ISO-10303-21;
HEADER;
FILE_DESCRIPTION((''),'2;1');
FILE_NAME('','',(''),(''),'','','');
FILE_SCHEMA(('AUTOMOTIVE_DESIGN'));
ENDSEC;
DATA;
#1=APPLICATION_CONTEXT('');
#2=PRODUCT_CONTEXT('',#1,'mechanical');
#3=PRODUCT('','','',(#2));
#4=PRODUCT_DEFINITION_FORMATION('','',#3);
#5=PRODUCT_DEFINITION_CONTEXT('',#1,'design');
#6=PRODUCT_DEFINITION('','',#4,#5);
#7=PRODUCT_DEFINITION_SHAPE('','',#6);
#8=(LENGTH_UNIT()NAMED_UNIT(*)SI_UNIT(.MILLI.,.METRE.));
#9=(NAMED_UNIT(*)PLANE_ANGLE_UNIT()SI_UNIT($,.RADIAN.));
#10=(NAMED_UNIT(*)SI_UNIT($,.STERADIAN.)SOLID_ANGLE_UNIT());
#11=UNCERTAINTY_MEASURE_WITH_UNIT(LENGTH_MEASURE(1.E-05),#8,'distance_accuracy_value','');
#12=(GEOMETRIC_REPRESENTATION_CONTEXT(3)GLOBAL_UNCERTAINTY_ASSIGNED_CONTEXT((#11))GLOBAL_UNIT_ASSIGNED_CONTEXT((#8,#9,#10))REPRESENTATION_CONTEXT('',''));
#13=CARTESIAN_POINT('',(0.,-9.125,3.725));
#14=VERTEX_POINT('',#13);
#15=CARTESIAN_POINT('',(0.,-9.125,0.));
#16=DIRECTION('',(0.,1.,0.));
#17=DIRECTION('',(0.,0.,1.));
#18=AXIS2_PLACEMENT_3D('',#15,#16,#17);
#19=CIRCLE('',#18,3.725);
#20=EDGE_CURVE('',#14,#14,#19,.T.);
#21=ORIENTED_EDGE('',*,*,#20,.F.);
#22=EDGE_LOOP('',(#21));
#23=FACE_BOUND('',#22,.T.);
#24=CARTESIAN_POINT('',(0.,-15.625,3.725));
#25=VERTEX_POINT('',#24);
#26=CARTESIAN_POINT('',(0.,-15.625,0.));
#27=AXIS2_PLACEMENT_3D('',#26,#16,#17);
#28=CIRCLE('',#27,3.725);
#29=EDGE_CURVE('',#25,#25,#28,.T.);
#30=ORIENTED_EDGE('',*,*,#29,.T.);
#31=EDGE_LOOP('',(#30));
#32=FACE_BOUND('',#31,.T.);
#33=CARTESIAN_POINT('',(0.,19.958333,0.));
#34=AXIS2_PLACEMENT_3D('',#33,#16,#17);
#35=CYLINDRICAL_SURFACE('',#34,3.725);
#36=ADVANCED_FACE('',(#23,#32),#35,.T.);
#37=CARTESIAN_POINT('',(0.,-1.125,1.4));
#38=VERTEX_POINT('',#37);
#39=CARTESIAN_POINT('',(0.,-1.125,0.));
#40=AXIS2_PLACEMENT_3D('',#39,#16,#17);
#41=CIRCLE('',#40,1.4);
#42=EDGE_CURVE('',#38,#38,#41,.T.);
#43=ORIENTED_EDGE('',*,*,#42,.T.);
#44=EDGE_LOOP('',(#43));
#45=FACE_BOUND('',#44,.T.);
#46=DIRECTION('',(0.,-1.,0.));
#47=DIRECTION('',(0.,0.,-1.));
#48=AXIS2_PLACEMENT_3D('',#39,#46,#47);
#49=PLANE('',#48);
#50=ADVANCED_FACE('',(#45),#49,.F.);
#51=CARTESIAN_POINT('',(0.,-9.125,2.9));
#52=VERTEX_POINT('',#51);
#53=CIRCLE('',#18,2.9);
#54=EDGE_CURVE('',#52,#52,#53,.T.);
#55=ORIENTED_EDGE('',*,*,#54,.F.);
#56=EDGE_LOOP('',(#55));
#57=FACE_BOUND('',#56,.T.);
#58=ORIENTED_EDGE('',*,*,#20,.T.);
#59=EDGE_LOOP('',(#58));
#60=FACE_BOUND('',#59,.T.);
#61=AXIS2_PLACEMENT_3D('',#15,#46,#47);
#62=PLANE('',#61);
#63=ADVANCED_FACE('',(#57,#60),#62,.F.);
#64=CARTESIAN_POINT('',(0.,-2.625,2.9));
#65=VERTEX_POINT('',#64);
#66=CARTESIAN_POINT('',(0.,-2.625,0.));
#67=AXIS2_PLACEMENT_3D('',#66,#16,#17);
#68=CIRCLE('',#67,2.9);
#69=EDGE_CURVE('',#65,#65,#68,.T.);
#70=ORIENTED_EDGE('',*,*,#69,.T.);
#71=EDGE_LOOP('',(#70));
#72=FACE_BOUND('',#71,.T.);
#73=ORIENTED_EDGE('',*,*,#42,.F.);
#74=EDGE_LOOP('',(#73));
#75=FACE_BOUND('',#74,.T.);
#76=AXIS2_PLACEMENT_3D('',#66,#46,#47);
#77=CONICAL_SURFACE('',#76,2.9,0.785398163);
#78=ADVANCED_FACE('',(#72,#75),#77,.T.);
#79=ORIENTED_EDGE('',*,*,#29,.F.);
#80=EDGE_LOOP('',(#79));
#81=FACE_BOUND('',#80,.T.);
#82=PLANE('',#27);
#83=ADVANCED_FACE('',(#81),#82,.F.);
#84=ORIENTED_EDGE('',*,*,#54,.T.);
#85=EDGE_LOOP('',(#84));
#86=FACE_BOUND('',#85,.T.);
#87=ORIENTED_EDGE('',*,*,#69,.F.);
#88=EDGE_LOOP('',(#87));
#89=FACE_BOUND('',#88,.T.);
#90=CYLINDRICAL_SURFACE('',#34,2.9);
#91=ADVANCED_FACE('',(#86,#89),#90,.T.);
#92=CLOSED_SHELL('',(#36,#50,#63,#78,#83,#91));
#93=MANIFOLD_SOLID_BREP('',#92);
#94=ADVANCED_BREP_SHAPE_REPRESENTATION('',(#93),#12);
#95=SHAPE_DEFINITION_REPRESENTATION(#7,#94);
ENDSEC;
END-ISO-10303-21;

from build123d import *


with BuildPart() as part:
    # Sketch1 one side → Revolve2 (revolve)
    with BuildSketch(Plane.XY):
        Polygon((0, -1.125), (0, -15.625), (3.725, -15.625), (3.725, -9.125), (2.9, -9.125), (2.9, -2.625), (1.4, -1.125), align=None)
    revolve(axis=Axis((0, 19.958333333, 0), (0, -1, 0)))


solid = part.part
